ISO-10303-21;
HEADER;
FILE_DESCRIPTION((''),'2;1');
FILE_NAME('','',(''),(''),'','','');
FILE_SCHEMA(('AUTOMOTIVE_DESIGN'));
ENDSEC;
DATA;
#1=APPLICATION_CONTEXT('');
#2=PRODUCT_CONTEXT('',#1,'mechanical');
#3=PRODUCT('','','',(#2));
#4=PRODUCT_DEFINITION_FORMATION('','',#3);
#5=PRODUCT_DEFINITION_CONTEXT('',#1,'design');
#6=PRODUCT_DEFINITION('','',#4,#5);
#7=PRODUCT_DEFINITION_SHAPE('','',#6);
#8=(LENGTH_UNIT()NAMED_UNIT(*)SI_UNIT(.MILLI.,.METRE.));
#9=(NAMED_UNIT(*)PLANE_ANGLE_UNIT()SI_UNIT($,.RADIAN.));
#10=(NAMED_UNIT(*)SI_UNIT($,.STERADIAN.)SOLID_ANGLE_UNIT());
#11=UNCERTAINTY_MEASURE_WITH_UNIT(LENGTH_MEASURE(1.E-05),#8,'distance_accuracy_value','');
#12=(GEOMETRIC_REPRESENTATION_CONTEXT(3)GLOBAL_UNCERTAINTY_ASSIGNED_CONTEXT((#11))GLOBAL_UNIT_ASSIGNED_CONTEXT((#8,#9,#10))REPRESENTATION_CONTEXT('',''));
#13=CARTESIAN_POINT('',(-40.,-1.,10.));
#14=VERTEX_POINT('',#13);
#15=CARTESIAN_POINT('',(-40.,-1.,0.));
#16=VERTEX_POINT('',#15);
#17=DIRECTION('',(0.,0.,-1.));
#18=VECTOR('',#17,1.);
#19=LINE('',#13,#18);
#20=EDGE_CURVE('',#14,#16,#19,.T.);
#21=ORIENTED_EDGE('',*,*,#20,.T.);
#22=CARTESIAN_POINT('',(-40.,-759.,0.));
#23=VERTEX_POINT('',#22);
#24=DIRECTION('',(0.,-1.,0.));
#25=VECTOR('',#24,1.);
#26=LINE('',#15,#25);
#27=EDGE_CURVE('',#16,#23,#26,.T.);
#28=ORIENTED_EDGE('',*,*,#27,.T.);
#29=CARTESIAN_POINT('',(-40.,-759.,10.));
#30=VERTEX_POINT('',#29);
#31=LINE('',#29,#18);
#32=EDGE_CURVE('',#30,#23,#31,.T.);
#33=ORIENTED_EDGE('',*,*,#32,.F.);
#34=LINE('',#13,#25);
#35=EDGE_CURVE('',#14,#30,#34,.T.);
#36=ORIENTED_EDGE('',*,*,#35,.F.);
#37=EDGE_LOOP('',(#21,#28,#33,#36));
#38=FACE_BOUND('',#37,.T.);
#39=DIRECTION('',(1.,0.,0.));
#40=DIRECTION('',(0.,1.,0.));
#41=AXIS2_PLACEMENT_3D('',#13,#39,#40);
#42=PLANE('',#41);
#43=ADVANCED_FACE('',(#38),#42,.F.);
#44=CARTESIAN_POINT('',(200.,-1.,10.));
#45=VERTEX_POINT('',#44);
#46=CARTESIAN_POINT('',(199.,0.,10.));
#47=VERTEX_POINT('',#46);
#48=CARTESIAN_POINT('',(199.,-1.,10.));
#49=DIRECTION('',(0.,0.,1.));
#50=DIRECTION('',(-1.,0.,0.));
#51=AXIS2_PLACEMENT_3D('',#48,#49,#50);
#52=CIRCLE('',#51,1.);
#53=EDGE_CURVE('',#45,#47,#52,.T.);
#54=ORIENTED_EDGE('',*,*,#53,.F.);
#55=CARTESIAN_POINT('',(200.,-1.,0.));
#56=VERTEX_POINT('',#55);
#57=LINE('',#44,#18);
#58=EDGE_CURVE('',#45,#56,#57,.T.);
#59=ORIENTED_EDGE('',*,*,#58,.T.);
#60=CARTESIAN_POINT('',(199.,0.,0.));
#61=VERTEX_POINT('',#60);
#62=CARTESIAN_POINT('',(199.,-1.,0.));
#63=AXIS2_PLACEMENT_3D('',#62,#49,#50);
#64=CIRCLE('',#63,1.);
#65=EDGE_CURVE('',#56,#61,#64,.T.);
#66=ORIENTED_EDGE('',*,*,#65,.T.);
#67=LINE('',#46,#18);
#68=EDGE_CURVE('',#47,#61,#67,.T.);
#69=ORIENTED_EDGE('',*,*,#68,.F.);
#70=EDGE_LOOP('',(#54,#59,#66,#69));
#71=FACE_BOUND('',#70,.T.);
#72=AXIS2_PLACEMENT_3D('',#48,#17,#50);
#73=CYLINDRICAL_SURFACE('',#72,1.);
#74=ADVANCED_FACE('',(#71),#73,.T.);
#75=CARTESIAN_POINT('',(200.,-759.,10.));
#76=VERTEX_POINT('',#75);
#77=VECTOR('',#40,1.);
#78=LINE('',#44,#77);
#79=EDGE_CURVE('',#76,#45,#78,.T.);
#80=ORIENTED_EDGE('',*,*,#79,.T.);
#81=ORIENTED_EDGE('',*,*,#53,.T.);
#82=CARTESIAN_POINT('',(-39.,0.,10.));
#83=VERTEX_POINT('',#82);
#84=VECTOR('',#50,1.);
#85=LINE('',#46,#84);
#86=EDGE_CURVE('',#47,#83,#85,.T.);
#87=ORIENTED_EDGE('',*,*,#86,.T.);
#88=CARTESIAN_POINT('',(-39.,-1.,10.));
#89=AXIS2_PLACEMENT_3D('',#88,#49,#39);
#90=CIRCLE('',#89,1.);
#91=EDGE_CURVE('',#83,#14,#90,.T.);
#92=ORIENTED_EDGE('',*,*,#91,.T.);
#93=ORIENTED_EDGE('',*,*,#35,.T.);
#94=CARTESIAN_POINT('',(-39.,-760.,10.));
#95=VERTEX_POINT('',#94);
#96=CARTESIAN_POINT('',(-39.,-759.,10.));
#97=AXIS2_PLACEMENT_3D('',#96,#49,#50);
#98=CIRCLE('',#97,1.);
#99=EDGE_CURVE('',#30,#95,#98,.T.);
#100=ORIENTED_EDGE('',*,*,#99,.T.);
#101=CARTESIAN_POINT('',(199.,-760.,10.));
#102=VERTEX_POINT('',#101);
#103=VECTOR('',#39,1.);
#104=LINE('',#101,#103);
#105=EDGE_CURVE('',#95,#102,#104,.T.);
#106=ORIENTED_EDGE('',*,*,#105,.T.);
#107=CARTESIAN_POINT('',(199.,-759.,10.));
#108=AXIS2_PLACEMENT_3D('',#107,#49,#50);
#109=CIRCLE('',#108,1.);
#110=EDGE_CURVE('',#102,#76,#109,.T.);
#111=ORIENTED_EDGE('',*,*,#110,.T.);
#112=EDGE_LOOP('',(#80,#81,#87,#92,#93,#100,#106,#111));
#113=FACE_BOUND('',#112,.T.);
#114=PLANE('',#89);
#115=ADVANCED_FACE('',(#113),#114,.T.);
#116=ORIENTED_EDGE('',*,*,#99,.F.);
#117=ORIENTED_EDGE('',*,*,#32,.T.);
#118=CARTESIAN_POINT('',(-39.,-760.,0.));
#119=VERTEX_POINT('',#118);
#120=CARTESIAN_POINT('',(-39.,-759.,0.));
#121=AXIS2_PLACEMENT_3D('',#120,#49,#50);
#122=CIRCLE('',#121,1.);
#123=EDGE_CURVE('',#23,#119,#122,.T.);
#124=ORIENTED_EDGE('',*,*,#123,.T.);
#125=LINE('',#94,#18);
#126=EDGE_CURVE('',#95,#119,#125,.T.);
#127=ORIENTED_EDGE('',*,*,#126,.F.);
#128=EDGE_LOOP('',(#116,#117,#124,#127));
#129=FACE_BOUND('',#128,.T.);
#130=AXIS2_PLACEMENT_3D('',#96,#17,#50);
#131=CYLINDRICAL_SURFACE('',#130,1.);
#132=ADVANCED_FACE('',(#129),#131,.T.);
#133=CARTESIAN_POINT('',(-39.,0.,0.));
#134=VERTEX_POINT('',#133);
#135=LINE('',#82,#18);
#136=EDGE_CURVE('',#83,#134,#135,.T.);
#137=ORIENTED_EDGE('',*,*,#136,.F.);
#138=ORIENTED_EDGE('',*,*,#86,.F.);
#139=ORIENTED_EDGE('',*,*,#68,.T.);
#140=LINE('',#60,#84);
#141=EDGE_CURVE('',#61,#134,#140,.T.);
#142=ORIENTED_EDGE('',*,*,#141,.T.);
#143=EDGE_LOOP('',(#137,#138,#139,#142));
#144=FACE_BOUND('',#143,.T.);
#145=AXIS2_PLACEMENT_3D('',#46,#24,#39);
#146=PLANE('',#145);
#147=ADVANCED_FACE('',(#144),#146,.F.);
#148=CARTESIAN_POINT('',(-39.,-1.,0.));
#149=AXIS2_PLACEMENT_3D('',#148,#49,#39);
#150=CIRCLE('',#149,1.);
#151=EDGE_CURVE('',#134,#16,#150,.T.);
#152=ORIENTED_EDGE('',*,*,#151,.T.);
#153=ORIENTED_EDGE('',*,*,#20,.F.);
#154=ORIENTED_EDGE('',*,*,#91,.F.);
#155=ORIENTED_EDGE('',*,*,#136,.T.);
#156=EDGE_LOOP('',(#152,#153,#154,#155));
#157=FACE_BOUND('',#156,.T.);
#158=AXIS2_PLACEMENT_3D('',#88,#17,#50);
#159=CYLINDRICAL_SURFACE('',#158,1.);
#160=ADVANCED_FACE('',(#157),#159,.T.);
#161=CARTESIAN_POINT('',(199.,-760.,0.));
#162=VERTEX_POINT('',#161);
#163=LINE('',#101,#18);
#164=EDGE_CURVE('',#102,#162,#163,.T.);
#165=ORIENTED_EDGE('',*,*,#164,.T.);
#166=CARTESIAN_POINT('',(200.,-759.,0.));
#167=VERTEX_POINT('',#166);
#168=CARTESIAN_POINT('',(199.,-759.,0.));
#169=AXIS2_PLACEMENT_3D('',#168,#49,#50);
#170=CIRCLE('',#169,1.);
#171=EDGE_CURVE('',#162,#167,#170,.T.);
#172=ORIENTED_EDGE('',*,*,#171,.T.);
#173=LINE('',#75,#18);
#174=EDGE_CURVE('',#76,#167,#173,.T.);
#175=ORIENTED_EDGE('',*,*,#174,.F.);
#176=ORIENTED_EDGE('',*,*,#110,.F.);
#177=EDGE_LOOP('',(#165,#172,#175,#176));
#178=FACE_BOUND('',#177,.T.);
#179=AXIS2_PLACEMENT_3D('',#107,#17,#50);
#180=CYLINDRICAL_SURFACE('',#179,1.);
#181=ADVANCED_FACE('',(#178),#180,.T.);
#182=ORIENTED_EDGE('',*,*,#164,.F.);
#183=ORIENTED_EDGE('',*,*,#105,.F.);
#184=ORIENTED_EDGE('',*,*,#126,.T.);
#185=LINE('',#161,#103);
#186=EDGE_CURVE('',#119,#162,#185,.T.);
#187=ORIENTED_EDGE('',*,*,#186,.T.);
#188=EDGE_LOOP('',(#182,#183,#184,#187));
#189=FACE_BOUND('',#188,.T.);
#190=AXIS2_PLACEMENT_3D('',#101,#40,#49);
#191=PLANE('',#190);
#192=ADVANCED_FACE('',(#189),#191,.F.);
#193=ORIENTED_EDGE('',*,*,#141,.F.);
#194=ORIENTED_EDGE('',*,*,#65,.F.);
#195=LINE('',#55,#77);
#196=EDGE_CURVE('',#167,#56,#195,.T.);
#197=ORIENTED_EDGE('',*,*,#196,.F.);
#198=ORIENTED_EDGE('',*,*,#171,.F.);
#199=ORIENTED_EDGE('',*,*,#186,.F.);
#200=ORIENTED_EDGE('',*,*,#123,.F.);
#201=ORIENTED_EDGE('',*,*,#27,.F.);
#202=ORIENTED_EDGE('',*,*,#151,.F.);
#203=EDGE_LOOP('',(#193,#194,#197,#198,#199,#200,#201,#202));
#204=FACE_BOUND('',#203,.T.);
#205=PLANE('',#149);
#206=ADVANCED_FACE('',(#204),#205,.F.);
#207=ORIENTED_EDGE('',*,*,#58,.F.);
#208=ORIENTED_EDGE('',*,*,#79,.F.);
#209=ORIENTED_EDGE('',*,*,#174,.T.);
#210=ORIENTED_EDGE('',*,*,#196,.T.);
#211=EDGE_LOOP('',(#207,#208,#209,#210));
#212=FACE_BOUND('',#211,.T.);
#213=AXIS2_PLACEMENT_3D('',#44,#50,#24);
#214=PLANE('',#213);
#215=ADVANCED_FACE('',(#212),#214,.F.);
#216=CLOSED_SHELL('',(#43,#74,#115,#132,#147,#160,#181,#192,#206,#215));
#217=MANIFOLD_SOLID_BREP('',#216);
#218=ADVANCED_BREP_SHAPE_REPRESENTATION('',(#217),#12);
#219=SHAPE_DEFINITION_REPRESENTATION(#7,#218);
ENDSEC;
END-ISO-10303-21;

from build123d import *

# Parameters (mm, degrees)
BOSS_EXTRUDE1_DEPTH = 10


with BuildPart() as part:
    # Sketch1 → Boss-Extrude1 (new body)
    with BuildSketch(Plane.XY):
        with BuildLine():
            Line((199, 0), (-39, 0))
            ThreePointArc((-39, 0), (-39.707106781, -0.292893219), (-40, -1))
            Line((-40, -1), (-40, -759))
            ThreePointArc((-40, -759), (-39.707106781, -759.707106781), (-39, -760))
            Line((-39, -760), (199, -760))
            ThreePointArc((199, -760), (199.707106781, -759.707106781), (200, -759))
            Line((200, -759), (200, -1))
            ThreePointArc((200, -1), (199.707106781, -0.292893219), (199, 0))
        make_face()
    extrude(amount=BOSS_EXTRUDE1_DEPTH)


solid = part.part
